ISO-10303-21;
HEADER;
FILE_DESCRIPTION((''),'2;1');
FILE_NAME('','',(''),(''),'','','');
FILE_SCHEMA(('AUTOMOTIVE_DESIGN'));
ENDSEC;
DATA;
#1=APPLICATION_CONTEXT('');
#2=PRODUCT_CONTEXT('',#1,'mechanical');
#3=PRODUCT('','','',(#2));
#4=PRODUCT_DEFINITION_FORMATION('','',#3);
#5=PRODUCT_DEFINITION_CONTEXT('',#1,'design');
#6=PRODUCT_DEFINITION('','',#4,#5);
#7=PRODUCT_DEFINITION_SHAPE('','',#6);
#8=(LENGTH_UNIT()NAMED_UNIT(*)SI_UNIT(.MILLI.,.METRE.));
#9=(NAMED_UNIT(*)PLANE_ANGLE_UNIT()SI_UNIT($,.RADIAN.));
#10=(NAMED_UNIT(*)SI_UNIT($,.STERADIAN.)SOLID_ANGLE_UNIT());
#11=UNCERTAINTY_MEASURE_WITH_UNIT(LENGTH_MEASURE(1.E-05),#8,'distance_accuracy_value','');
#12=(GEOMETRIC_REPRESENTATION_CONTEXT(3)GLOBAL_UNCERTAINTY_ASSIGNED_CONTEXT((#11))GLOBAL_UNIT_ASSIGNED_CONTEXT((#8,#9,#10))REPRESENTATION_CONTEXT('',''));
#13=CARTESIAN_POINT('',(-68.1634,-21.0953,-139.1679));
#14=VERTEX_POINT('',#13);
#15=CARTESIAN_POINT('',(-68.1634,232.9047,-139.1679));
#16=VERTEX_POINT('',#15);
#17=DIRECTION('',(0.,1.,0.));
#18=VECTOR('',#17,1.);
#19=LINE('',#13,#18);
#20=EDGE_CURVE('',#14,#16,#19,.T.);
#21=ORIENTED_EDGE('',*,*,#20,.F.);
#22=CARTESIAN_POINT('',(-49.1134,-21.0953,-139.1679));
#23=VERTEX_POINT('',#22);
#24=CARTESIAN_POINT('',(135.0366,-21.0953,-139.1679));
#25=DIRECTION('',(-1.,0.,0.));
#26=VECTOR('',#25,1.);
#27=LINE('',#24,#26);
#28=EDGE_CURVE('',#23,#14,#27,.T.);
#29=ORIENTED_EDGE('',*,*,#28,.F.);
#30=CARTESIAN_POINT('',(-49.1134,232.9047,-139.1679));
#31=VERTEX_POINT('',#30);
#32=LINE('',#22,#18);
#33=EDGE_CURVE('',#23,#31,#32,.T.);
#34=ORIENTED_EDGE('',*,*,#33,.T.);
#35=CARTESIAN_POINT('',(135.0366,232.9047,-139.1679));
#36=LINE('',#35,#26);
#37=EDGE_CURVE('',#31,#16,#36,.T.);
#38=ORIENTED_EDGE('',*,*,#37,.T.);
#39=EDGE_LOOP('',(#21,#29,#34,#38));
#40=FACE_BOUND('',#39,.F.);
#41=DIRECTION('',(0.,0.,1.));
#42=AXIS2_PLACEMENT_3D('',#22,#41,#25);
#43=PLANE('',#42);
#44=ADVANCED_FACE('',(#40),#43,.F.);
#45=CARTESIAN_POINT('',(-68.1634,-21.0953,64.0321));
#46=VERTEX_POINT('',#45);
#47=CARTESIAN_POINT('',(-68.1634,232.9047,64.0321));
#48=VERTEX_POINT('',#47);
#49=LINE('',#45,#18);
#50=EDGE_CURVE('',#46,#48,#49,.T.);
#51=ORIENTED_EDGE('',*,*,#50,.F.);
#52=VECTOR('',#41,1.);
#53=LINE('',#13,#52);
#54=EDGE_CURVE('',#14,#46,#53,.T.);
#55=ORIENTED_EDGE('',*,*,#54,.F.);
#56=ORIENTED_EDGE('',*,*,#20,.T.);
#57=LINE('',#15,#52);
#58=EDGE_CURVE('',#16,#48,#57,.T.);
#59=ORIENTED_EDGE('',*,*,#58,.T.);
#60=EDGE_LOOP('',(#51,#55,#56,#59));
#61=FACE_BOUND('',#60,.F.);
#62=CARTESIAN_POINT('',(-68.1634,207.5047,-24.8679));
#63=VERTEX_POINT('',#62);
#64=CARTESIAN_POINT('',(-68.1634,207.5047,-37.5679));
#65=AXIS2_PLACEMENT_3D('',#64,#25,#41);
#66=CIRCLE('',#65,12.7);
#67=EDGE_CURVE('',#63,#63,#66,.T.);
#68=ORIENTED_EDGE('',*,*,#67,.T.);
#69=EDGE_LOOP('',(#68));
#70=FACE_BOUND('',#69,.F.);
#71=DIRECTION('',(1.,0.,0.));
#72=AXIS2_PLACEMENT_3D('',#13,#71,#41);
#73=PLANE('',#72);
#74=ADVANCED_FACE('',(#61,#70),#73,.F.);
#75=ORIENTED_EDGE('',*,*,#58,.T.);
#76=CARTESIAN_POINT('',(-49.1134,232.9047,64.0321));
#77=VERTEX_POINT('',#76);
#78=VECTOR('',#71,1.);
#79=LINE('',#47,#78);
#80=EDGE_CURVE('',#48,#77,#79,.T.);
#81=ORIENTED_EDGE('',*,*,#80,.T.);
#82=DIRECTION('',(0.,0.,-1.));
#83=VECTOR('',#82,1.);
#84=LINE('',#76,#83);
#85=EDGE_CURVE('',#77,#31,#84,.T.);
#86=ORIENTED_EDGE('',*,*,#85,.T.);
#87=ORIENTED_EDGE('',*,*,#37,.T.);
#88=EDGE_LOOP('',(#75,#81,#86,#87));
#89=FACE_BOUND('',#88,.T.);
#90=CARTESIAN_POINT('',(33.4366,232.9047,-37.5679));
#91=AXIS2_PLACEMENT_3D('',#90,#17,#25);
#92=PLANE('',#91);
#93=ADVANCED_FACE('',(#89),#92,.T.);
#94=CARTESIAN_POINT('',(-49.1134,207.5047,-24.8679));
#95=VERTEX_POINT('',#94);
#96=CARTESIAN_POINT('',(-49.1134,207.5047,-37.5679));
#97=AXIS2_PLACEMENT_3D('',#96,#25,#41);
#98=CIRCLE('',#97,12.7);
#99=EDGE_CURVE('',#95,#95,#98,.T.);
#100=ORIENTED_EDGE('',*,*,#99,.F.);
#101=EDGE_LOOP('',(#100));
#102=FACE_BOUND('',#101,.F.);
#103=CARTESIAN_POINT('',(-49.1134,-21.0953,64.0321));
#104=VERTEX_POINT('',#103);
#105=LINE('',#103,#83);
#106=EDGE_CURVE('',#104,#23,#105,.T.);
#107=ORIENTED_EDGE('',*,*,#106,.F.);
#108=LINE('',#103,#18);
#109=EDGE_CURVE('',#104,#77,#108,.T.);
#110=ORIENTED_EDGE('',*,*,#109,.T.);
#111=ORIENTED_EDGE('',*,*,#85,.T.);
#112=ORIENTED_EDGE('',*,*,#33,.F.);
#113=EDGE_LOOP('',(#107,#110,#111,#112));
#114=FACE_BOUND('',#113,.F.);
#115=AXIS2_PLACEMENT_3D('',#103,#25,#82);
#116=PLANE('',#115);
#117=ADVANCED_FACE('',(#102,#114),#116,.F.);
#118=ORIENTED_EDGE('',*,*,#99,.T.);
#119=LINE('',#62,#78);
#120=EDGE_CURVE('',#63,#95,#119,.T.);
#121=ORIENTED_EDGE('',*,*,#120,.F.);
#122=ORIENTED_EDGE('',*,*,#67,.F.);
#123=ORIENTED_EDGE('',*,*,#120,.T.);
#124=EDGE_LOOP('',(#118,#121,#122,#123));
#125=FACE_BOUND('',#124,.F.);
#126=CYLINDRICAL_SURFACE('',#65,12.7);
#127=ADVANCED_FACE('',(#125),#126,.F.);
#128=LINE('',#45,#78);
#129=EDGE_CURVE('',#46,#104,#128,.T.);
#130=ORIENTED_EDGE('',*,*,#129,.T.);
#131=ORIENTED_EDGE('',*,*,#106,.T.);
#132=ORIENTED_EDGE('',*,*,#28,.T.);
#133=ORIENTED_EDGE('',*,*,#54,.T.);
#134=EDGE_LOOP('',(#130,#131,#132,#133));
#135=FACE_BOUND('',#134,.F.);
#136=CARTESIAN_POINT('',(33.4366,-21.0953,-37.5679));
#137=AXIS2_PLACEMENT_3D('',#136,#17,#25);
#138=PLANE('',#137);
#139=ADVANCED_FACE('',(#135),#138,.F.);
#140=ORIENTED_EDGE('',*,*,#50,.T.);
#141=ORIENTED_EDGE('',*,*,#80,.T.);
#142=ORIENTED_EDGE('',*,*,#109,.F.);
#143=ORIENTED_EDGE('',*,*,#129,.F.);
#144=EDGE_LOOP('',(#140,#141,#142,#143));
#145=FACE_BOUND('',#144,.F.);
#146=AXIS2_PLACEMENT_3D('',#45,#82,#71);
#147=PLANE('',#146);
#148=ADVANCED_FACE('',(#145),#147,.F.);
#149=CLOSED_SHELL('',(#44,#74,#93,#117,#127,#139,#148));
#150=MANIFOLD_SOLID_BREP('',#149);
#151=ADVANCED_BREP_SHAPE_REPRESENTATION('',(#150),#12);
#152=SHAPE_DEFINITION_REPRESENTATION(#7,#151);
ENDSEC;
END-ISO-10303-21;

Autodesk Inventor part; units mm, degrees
ref_plane "YZ Plane" through (0, 0, 0) normal (1, 0, 0) x (0, 1, 0)
ref_plane "XZ Plane" through (0, 0, 0) normal (0, 1, 0) x (-1, 0, 0)
ref_plane "Work Plane1" through (33.4366, -21.0953, -37.5679) normal (0, 1, 0) x (-1, 0, 0)
sketch "Sketch1" plane through (33.4366, -21.0953, -37.5679) normal (0, 1, 0) x (-1, 0, 0)
  line L0 (101.6, -101.6) -> (101.6, 101.6) projected
  line L1 (101.6, 101.6) -> (-101.6, 101.6) projected
  line L2 (-101.6, -101.6) -> (101.6, -101.6) projected
  line L3 (101.6, 101.6) -> (82.55, 101.6)
  line L4 (82.55, 101.6) -> (82.55, -101.6)
  line L5 (82.55, -101.6) -> (101.6, -101.6)
  line L6 (101.6, -101.6) -> (101.6, 101.6)
  point P0 (33.4366, 37.5679)
  dimension "d0" = 19.05
extrude "Extrusion1" add sketch "Sketch1" along normal blind 254
sketch "Sketch2" plane through (-68.1634, -21.0953, -139.1679) normal (-1, 0, 0) x (0, 0, 1)
  line L0 (203.2, 254) -> (0, 254) construction
  line L1 (101.6, 254) -> (101.6, 0) construction
  line L2 (203.2, 0) -> (0, 0) construction
  circle A0 centre (101.6, 228.6) radius 12.7
  point P0 (139.1679, 21.0953)
  dimension "d3" = 25.4
  dimension "d4" = 25.4
extrude "Extrusion2" cut sketch "Sketch2" against normal through all
properties part number "woodForAssemblyLeftSide"
